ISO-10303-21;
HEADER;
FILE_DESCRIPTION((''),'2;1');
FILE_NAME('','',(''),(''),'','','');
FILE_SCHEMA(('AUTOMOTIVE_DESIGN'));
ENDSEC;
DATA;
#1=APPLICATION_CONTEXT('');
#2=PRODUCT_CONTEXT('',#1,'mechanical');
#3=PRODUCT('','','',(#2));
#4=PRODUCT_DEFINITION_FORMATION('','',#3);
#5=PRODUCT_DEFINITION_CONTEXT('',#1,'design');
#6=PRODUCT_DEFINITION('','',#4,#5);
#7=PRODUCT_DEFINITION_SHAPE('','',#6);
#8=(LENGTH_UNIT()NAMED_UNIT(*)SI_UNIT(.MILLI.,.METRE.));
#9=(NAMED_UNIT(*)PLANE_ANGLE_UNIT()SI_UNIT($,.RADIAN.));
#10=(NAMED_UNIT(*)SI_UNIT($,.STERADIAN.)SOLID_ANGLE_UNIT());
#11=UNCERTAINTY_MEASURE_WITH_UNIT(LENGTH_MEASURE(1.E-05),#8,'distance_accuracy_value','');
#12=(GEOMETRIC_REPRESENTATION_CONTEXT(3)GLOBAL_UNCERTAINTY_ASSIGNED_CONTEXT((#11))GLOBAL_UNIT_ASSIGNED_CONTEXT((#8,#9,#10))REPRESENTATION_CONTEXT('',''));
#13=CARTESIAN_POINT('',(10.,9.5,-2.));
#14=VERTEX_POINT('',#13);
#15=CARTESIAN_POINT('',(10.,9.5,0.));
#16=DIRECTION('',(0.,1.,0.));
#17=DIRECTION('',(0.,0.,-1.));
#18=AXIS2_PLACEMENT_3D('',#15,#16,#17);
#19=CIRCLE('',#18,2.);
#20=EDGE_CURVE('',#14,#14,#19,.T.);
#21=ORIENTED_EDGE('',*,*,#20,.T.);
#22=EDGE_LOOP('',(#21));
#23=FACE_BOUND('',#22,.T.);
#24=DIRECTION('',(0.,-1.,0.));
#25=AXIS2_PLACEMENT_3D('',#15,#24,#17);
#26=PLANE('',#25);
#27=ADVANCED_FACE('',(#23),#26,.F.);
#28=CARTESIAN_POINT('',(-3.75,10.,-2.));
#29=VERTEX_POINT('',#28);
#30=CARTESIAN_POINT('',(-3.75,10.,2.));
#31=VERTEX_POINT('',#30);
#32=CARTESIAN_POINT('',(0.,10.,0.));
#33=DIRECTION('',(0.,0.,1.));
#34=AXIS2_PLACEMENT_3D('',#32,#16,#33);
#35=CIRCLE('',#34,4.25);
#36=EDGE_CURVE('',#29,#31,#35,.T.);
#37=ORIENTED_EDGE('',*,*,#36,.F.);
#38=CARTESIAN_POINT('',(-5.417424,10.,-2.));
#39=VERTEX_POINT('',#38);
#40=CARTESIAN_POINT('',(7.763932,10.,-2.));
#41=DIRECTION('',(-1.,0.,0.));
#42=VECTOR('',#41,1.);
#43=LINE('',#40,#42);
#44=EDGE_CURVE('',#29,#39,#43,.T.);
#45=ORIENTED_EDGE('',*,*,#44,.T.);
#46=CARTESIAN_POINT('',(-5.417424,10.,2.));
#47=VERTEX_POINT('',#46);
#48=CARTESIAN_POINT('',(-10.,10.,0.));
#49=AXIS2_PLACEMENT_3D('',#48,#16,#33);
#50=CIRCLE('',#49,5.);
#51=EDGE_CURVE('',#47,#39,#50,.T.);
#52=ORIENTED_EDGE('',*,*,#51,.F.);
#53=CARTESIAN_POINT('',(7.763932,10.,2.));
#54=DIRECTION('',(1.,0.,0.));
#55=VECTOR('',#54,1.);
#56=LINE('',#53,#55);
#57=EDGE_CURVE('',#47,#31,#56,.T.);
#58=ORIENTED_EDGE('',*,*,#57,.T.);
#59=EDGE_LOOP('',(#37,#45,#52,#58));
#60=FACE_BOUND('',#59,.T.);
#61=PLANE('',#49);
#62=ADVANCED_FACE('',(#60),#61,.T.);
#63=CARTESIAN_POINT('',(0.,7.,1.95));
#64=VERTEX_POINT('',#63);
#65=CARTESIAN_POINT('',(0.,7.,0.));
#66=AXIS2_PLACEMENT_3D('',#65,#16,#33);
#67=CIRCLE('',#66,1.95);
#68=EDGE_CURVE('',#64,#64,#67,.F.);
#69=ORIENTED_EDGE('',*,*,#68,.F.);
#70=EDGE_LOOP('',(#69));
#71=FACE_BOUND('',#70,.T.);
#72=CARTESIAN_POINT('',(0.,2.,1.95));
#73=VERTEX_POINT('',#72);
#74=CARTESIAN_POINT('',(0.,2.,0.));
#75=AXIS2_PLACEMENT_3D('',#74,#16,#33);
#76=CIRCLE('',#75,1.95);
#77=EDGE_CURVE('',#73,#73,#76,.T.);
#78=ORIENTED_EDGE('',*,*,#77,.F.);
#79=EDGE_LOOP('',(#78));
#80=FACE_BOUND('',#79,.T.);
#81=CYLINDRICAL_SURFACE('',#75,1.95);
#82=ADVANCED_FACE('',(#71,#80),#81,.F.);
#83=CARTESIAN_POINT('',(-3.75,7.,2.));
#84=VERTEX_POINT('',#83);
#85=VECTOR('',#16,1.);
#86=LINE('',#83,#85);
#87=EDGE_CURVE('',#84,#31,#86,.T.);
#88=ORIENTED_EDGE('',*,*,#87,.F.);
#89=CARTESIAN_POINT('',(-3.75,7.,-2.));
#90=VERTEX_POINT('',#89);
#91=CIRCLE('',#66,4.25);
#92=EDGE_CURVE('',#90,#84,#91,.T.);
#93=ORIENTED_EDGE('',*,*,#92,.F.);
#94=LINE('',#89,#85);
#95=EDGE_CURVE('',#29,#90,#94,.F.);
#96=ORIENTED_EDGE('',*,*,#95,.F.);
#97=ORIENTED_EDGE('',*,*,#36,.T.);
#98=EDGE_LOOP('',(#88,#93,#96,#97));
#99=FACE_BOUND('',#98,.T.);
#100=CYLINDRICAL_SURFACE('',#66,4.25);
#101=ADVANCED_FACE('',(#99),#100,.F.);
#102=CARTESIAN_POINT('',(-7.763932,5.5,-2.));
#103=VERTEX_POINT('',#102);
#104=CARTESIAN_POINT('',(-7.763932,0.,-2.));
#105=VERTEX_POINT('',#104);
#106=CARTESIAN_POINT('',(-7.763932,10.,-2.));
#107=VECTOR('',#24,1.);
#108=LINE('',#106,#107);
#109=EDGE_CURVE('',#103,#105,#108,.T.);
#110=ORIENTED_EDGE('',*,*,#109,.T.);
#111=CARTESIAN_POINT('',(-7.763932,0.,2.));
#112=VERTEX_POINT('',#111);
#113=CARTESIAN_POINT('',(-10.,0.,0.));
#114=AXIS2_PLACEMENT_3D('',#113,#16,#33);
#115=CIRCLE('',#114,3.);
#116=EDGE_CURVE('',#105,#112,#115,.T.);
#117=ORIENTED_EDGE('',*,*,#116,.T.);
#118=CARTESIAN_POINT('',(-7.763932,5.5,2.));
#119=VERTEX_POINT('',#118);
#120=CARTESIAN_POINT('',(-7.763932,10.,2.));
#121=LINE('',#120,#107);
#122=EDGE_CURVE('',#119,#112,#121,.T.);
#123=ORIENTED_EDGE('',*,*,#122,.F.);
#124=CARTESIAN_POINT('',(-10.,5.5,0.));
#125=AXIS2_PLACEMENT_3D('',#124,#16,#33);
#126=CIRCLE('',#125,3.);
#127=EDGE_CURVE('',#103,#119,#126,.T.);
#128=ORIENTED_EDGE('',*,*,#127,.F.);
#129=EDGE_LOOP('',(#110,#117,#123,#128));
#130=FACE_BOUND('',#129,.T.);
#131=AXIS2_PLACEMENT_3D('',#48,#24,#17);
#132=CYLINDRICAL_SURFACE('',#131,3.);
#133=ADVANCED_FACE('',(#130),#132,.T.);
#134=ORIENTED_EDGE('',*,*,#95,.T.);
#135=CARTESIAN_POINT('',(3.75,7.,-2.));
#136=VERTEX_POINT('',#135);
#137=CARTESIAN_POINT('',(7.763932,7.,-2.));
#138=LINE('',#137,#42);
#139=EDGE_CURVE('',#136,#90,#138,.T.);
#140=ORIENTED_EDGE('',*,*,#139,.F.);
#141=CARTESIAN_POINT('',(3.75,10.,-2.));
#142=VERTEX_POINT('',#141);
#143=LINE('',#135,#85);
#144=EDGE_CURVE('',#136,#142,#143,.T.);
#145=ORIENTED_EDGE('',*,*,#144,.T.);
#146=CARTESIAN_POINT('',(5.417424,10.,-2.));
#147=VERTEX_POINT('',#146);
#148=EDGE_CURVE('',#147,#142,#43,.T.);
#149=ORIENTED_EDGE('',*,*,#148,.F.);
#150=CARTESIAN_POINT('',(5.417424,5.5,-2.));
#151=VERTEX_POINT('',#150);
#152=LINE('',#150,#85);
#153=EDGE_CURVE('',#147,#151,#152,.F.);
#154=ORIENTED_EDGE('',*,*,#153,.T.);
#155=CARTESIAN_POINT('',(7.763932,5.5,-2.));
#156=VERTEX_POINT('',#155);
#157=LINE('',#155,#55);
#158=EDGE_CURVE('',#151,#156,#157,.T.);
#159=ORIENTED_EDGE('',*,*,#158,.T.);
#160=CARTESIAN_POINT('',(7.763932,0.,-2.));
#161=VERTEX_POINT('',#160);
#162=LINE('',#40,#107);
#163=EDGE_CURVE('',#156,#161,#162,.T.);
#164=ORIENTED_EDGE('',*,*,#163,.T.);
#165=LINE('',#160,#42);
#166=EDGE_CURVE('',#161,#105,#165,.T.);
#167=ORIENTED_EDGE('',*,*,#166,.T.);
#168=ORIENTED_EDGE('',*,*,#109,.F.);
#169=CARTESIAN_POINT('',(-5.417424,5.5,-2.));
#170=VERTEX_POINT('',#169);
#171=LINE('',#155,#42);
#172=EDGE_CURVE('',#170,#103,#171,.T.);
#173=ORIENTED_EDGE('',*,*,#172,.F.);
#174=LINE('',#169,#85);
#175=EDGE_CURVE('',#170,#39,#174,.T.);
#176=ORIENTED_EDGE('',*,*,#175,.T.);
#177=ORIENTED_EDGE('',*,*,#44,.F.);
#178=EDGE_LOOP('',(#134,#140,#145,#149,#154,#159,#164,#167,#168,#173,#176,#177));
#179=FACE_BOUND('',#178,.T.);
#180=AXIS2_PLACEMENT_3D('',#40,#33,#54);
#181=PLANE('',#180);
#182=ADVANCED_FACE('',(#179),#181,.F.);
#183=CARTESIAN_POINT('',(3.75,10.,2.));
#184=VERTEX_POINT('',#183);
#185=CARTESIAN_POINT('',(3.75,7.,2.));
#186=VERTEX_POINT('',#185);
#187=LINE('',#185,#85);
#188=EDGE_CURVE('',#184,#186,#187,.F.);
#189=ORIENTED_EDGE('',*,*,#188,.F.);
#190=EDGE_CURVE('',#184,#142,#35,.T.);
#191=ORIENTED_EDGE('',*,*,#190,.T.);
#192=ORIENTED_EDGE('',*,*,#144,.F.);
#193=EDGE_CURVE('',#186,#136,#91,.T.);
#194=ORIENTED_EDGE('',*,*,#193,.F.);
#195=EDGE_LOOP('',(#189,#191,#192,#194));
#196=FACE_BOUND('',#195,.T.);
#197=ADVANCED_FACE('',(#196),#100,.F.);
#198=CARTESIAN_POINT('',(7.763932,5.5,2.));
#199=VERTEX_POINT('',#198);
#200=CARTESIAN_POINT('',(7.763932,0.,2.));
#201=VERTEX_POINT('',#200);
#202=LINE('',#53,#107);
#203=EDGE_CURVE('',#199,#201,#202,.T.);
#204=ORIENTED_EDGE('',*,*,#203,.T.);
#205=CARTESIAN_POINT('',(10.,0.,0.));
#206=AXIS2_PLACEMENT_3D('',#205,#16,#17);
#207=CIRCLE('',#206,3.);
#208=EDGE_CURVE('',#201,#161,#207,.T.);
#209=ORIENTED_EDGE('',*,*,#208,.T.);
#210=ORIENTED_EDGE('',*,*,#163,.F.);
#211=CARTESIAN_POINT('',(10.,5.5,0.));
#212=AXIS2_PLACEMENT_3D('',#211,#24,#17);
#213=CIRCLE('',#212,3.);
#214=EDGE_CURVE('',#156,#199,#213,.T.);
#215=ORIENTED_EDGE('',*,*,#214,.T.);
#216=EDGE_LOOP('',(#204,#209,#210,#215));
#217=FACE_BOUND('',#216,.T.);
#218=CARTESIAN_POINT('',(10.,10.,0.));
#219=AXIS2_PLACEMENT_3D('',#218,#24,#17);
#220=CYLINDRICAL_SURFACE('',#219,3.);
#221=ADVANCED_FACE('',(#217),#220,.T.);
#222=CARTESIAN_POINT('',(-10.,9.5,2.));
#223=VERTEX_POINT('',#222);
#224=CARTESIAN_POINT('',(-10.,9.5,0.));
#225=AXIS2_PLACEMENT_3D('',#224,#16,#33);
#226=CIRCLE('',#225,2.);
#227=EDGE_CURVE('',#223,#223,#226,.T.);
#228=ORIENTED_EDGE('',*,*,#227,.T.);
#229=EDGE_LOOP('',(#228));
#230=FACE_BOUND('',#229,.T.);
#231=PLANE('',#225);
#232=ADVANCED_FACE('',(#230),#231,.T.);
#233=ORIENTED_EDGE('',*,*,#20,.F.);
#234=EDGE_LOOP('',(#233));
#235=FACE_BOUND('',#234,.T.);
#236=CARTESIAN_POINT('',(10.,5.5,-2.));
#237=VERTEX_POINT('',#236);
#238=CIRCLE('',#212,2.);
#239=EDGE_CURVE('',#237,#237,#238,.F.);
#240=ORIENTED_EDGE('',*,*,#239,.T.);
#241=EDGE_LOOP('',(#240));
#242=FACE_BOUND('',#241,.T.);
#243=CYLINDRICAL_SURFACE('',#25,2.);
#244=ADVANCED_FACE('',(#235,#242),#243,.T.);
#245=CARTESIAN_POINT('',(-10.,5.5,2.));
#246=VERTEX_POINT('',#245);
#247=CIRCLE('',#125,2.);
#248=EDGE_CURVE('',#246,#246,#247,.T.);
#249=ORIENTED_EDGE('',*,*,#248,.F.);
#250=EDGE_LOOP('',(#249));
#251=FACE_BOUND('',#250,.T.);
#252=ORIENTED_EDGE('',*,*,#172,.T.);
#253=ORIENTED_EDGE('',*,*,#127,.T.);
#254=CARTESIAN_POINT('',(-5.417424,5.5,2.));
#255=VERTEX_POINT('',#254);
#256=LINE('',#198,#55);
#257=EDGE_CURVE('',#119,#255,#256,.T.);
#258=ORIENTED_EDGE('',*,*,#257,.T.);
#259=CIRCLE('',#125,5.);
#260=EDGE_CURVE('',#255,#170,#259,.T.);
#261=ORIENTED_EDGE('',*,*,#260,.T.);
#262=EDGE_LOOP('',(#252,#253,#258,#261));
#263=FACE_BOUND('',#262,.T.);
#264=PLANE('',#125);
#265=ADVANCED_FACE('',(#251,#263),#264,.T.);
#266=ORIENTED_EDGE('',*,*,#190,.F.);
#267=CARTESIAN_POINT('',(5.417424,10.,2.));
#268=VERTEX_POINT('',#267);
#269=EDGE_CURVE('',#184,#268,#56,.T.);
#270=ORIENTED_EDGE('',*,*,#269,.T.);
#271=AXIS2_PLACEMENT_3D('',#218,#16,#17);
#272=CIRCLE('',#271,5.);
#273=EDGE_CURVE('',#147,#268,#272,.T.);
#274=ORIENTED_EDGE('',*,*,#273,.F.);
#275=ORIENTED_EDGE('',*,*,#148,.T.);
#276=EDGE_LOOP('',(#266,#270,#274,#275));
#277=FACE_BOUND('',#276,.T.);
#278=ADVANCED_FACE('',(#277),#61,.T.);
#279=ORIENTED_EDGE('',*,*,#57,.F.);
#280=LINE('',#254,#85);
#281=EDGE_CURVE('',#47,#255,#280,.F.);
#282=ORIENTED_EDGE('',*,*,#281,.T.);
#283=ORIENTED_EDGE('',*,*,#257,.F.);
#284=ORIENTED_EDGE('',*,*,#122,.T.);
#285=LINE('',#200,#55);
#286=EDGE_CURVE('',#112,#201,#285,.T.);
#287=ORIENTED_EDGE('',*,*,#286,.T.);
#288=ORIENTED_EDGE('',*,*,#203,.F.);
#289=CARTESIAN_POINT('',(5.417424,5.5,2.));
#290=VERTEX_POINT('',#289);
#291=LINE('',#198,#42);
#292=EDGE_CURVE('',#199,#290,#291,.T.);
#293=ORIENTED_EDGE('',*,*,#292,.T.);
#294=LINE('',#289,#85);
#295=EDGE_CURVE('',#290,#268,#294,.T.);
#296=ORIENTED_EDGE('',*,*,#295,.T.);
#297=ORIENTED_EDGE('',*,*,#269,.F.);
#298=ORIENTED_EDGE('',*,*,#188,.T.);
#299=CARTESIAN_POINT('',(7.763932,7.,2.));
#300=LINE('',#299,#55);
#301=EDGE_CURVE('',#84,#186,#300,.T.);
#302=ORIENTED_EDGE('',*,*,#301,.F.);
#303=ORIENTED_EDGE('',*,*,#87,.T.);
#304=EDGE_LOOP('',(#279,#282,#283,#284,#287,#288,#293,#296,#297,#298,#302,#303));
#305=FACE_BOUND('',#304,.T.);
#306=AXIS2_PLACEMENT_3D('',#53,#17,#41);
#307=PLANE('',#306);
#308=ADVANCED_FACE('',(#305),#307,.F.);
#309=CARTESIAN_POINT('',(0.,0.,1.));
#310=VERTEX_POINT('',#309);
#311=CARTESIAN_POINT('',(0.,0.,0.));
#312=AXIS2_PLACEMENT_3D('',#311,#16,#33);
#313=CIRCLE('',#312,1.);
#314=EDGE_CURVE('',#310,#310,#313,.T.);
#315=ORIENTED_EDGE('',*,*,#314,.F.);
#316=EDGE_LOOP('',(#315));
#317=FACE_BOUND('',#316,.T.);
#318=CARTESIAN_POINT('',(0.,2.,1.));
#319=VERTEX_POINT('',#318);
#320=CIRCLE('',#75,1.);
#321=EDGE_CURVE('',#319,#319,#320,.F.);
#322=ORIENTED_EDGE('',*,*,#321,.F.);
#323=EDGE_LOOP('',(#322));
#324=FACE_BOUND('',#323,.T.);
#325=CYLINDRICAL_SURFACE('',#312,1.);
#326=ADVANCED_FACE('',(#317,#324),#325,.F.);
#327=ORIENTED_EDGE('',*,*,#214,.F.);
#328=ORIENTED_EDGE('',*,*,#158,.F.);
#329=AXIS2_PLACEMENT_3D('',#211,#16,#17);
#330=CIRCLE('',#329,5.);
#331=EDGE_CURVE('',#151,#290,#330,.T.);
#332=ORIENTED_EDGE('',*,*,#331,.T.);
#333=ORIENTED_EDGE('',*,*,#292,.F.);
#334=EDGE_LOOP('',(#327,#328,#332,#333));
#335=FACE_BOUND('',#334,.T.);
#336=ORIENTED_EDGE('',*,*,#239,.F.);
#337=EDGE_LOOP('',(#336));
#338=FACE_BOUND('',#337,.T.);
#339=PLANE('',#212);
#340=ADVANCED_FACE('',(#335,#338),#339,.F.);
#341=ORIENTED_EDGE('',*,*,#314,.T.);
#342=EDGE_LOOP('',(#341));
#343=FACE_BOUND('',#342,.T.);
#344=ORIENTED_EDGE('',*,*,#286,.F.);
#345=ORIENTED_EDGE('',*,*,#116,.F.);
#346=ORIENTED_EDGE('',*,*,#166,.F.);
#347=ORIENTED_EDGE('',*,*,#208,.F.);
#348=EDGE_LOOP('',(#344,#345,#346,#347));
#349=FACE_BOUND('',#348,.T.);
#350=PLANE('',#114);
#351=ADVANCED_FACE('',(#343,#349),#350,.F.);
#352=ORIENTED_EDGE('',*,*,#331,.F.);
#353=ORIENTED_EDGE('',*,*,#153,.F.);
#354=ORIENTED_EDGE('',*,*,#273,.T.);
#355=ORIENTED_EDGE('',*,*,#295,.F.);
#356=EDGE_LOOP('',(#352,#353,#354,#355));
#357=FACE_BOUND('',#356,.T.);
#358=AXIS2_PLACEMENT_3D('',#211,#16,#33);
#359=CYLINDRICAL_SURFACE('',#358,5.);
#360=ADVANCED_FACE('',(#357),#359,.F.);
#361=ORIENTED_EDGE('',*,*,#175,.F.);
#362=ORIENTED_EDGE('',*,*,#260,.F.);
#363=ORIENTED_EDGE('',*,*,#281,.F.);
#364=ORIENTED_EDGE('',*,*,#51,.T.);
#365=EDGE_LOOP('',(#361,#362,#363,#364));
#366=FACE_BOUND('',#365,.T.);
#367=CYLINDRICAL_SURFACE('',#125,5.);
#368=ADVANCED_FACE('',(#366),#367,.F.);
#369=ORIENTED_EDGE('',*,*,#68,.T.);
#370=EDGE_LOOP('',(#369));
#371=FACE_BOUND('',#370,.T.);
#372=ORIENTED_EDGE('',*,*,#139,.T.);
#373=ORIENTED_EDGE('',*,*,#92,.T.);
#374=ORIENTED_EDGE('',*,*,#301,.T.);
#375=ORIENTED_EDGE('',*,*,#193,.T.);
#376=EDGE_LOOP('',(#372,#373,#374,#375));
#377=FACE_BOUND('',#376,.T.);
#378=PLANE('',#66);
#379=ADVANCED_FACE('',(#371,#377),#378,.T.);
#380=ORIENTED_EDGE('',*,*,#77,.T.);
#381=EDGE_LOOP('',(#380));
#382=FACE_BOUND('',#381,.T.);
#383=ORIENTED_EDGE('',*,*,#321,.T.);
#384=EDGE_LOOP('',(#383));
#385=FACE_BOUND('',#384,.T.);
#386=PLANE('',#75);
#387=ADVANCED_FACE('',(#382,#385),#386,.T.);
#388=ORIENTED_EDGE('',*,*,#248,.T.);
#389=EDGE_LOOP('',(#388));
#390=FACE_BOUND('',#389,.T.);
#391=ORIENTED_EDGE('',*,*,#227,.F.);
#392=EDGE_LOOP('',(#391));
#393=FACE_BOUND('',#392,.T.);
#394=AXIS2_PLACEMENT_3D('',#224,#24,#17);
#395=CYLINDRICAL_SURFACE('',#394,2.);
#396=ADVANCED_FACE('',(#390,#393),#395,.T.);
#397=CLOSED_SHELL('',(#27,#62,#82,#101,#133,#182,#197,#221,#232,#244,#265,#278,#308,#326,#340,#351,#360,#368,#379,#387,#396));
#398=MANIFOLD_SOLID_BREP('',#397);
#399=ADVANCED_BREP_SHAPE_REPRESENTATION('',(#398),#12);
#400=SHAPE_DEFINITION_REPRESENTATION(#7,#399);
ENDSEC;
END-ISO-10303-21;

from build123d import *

# Parameters (mm, degrees)
EXTRUDE_1_DEPTH     = 10
SKETCH_2_R          = 5
CUT_EXTRUDE_1_DEPTH = 4.5
SKETCH_3_R          = 2
EXTRUDE_2_DEPTH     = 4
SKETCH_4_R          = 1
CUT_EXTRUDE_2_DEPTH = 11
SKETCH_5_R          = 1.95
CUT_EXTRUDE_3_DEPTH = 8
SKETCH_6_R          = 4.25
CUT_EXTRUDE_4_DEPTH = 3


with BuildPart() as part:
    # 草图1 → 凸台-拉伸1 (new body)
    with BuildSketch(Plane(origin=(0, 0, 0), x_dir=(1, 0, 0), z_dir=(0, 1, 0))):
        with BuildLine():
            Line((7.763932023, -2), (-7.763932023, -2))
            ThreePointArc((-7.763932023, -2), (-13, 0), (-7.763932023, 2))
            Line((-7.763932023, 2), (7.763932023, 2))
            ThreePointArc((7.763932023, 2), (13, 0), (7.763932023, -2))
        make_face()
    extrude(amount=EXTRUDE_1_DEPTH)

    # 草图2 → 切除-拉伸1 (cut)
    with BuildSketch(Plane(origin=(0, 10, 0), x_dir=(1, 0, 0), z_dir=(0, 1, 0))):
        with Locations((-10, 0)):
            Circle(SKETCH_2_R)
        with Locations((10, 0)):
            Circle(SKETCH_2_R)
    extrude(amount=-CUT_EXTRUDE_1_DEPTH, mode=Mode.SUBTRACT)

    # 草图3 → 凸台-拉伸2 (add)
    with BuildSketch(Plane(origin=(0, 5.5, 0), x_dir=(1, 0, 0), z_dir=(0, 1, 0))):
        with Locations((-10, 0)):
            Circle(SKETCH_3_R)
        with Locations((10, 0)):
            Circle(SKETCH_3_R)
    extrude(amount=EXTRUDE_2_DEPTH)

    # 草图4 → 切除-拉伸2 (cut, through all)
    with BuildSketch(Plane(origin=(0, 10, 0), x_dir=(1, 0, 0), z_dir=(0, 1, 0))):
        Circle(SKETCH_4_R)
    extrude(amount=-CUT_EXTRUDE_2_DEPTH, mode=Mode.SUBTRACT)

    # 草图5 → 切除-拉伸3 (cut)
    with BuildSketch(Plane(origin=(0, 10, 0), x_dir=(1, 0, 0), z_dir=(0, 1, 0))):
        Circle(SKETCH_5_R)
    extrude(amount=-CUT_EXTRUDE_3_DEPTH, mode=Mode.SUBTRACT)

    # 草图6 → 切除-拉伸4 (cut)
    with BuildSketch(Plane(origin=(0, 10, 0), x_dir=(1, 0, 0), z_dir=(0, 1, 0))):
        Circle(SKETCH_6_R)
    extrude(amount=-CUT_EXTRUDE_4_DEPTH, mode=Mode.SUBTRACT)


solid = part.part
